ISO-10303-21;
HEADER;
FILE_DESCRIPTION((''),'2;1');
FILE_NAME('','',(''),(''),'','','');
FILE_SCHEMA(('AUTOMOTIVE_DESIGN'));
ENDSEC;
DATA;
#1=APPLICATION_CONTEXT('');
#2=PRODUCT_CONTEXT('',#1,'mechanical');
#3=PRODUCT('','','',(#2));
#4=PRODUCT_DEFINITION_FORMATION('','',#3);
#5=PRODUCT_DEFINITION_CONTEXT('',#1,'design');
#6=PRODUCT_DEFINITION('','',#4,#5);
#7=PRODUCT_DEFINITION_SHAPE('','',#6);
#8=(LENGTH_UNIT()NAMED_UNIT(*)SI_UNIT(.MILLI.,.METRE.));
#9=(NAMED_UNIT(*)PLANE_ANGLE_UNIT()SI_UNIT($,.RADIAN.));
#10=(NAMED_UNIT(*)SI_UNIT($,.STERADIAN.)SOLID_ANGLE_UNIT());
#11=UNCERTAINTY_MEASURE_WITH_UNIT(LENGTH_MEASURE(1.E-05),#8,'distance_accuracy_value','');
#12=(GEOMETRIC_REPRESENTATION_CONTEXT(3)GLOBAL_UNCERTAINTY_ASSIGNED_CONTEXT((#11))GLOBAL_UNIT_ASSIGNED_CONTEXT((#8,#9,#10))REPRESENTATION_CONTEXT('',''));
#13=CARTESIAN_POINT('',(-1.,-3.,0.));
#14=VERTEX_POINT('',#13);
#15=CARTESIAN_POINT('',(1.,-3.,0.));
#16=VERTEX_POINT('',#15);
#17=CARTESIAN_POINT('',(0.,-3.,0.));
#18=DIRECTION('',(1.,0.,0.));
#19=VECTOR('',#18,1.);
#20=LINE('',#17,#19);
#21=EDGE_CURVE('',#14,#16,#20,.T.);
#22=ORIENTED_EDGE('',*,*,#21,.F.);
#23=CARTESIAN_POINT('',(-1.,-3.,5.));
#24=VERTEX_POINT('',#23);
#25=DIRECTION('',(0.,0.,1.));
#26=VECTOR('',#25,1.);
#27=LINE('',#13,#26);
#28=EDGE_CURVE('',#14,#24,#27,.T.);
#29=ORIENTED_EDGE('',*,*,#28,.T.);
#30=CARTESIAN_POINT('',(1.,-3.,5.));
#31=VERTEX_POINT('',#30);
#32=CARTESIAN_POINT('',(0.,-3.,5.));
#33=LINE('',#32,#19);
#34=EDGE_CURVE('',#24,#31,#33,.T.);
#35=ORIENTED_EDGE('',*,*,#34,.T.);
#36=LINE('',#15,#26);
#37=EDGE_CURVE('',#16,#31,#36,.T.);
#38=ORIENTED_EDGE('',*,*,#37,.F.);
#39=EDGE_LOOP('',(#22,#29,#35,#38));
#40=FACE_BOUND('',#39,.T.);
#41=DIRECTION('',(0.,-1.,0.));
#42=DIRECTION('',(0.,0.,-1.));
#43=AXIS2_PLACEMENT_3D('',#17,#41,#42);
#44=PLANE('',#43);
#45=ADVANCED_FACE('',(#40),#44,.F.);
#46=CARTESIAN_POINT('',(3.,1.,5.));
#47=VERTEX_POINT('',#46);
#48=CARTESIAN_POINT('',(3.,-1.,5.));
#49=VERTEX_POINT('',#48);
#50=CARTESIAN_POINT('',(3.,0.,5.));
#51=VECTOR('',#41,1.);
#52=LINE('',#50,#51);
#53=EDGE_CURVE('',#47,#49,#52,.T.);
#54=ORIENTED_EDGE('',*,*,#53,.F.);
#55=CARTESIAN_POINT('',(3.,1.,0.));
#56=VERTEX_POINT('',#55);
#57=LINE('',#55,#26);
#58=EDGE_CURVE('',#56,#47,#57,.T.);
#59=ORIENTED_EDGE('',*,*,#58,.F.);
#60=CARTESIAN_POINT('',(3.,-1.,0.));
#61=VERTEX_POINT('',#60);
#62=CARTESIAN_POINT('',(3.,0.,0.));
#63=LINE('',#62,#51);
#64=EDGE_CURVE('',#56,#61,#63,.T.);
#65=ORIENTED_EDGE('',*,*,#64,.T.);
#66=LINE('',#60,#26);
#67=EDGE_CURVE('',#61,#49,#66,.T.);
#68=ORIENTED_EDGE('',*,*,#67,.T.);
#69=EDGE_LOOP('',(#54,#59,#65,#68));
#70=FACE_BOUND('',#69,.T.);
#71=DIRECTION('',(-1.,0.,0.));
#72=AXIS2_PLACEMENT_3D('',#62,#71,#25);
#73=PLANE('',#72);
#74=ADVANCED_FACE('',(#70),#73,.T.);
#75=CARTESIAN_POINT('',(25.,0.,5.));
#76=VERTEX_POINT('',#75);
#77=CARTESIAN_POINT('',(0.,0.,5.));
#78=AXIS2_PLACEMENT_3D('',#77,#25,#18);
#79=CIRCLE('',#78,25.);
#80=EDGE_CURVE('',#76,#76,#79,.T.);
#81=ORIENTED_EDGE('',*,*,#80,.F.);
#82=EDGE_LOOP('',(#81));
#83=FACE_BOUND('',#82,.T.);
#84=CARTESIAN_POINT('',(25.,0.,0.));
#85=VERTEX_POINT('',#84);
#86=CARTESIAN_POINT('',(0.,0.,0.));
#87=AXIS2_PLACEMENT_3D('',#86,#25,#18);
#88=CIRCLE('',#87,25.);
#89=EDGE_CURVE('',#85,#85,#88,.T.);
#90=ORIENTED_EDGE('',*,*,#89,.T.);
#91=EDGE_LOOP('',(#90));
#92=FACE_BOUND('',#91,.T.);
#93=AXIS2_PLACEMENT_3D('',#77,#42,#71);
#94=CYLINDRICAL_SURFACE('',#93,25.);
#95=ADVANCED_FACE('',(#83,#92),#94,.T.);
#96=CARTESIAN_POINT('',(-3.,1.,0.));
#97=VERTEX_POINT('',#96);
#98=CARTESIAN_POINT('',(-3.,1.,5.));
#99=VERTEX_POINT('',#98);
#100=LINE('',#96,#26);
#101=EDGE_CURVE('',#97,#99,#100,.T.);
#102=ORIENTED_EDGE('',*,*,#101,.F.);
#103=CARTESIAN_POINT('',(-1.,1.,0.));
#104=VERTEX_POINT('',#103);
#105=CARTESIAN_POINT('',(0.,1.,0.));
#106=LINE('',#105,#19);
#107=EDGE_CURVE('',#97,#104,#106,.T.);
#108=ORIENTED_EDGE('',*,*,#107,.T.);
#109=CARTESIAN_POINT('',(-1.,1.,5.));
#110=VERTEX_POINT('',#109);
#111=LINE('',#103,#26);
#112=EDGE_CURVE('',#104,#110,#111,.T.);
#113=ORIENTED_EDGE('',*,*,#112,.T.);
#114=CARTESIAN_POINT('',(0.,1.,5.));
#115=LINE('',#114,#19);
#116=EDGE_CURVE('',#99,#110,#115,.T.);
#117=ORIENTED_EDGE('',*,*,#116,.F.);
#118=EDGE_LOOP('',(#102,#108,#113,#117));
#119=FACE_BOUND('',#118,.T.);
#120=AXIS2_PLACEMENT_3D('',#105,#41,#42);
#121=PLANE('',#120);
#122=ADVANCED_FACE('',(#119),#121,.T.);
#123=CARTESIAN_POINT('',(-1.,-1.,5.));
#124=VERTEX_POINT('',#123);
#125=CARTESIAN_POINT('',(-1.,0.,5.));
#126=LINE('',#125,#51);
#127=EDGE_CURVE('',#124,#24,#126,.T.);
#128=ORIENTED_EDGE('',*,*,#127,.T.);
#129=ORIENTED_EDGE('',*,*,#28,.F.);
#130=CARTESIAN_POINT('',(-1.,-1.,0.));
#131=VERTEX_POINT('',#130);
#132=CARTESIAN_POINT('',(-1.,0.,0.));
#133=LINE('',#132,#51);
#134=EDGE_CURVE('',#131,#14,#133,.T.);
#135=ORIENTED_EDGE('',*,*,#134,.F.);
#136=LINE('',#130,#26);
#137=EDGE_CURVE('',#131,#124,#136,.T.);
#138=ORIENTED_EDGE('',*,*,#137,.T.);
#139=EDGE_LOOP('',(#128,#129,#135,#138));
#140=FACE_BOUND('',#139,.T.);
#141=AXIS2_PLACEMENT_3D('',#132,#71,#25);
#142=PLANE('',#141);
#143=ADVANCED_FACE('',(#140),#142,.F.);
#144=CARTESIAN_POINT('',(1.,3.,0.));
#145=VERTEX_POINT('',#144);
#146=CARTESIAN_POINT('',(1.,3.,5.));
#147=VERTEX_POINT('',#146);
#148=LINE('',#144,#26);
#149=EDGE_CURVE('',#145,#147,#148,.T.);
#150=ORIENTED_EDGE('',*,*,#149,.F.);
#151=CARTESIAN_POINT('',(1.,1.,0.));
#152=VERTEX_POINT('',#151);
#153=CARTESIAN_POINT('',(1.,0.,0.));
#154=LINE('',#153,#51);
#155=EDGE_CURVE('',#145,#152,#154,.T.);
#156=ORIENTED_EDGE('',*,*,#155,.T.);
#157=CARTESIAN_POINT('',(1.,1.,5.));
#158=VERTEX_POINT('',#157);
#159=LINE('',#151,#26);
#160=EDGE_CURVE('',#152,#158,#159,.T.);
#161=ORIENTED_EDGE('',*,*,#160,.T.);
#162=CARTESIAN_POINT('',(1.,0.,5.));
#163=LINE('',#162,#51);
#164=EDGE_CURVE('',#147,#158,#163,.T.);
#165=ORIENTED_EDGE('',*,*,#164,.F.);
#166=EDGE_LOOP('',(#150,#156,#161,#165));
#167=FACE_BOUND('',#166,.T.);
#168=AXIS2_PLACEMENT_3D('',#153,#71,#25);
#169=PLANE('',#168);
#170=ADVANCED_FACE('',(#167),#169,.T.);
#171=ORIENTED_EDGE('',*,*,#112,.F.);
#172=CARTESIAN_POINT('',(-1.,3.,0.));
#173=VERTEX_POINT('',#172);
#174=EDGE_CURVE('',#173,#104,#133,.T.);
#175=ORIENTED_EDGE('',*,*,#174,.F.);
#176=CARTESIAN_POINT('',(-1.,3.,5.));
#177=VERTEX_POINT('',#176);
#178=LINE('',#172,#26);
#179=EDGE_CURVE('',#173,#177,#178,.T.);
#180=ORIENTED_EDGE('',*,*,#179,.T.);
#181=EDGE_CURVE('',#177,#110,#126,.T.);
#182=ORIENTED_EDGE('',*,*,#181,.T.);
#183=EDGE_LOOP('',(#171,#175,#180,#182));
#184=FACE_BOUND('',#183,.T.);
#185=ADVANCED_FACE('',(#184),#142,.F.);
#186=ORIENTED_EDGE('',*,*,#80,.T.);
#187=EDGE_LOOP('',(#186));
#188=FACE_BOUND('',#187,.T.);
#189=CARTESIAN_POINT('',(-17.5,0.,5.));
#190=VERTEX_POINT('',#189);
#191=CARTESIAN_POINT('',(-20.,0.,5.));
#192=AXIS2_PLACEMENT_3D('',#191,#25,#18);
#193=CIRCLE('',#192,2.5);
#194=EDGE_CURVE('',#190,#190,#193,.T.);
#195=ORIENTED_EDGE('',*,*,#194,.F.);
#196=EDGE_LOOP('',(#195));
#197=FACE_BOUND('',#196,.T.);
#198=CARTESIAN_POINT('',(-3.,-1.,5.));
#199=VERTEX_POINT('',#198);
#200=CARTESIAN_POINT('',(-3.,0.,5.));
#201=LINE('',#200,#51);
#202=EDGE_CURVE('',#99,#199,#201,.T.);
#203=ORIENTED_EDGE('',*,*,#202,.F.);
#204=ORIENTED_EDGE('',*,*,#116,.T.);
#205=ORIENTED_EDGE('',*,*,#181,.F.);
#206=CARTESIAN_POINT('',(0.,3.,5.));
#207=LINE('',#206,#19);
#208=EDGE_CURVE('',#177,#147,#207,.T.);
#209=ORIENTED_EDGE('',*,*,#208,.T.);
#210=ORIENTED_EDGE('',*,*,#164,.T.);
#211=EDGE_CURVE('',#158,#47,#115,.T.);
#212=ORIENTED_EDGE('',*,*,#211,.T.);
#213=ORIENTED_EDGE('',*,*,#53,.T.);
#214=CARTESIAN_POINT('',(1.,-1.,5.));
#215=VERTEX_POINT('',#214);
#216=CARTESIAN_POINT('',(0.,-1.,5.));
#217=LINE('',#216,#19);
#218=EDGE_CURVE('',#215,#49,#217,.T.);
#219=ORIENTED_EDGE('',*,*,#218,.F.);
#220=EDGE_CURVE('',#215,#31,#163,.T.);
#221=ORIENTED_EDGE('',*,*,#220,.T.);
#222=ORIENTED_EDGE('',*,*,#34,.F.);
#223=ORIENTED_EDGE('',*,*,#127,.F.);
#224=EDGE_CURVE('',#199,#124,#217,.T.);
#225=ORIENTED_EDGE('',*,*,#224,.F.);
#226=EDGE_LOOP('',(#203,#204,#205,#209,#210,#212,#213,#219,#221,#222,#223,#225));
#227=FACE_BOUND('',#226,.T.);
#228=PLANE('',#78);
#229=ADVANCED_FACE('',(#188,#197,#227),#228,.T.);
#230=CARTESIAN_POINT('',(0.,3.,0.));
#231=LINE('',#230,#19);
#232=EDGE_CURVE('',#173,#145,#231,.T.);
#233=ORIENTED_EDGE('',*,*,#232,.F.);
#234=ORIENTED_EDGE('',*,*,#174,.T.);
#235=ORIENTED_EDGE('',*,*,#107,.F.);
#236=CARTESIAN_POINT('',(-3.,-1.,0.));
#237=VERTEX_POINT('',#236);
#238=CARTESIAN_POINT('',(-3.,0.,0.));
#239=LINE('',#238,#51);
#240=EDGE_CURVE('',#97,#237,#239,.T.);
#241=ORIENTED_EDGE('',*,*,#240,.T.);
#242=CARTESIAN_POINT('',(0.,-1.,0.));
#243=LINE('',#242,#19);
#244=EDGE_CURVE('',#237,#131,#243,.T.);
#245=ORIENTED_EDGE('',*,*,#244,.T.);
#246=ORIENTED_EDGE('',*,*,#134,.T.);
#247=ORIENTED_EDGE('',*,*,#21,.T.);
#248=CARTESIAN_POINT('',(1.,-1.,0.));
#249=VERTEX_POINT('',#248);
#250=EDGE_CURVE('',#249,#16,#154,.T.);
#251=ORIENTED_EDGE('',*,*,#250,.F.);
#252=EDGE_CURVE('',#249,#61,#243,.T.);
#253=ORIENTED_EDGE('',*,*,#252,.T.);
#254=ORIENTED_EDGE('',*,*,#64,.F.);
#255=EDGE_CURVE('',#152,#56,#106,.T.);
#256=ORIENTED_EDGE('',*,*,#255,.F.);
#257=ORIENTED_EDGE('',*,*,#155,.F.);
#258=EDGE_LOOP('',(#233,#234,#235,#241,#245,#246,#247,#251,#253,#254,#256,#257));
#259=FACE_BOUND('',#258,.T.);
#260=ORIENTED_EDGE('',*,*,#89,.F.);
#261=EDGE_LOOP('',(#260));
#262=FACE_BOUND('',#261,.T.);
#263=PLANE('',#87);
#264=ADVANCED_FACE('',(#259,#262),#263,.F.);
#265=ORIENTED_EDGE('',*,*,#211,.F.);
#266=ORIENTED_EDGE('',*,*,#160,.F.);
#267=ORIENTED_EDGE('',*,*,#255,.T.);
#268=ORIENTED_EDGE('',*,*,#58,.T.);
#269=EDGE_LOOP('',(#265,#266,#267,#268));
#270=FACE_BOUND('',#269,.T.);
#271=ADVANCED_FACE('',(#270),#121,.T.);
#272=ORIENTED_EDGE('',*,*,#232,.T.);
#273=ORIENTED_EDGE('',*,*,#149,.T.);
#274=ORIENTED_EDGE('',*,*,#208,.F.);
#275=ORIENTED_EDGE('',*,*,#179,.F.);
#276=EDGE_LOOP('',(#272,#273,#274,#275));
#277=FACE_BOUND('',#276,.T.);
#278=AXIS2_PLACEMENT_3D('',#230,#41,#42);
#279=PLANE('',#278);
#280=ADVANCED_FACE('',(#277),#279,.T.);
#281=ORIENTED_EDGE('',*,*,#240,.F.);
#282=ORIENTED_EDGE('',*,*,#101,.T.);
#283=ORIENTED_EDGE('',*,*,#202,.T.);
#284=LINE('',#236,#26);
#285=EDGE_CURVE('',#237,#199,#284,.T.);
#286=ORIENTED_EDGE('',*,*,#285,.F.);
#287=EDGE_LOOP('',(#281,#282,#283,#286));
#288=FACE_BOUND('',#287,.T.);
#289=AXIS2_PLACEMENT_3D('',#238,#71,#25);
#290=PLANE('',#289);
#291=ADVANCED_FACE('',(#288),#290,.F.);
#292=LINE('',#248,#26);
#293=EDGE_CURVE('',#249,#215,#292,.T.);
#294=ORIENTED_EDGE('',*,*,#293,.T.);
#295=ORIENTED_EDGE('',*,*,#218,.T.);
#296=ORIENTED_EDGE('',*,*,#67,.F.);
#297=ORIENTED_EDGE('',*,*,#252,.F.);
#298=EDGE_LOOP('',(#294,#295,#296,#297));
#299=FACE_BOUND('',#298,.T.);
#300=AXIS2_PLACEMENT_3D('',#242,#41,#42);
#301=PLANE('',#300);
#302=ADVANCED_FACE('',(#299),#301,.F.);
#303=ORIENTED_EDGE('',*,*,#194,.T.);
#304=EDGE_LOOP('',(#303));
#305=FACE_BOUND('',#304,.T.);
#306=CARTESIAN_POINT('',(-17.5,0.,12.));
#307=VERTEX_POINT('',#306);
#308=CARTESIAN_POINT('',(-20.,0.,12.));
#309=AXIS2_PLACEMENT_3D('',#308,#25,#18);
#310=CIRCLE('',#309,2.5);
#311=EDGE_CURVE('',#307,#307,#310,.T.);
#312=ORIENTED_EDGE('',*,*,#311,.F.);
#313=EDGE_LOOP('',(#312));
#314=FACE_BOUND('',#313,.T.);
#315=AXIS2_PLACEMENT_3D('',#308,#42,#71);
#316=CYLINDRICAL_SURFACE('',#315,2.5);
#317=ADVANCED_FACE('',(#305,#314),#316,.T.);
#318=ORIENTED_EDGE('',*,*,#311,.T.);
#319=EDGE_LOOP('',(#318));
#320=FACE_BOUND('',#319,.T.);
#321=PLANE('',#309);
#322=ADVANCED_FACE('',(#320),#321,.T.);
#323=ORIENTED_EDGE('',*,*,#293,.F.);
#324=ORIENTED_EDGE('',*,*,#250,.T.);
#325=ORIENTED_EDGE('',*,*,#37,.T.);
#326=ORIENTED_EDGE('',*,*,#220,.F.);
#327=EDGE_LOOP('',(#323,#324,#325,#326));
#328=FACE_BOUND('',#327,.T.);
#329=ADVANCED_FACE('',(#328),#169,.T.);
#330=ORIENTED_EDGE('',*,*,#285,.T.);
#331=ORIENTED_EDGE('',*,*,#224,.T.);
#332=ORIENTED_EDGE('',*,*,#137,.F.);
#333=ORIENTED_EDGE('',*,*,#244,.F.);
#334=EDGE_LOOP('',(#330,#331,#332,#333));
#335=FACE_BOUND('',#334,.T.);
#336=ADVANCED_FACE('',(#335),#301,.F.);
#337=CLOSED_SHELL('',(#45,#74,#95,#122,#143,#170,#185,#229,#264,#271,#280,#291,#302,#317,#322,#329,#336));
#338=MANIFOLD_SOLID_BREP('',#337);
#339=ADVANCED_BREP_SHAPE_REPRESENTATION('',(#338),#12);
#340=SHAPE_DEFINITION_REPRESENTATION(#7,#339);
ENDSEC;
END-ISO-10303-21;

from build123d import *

# Parameters (mm, degrees)
SKETCH_1_R          = 25
EXTRUDE_1_DEPTH     = 5
SKETCH_2_R          = 2.5
EXTRUDE_2_DEPTH     = 7
SKETCH_3_W          = 2
SKETCH_3_H          = 2
CUT_EXTRUDE_1_DEPTH = 37.041642582


with BuildPart() as part:
    # 草图1 → 凸台-拉伸1 (new body)
    with BuildSketch(Plane.XY):
        Circle(SKETCH_1_R)
    extrude(amount=EXTRUDE_1_DEPTH)

    # 草图2 → 凸台-拉伸2 (add)
    with BuildSketch(Plane.XY.offset(5)):
        with Locations((-20, 0)):
            Circle(SKETCH_2_R)
    extrude(amount=EXTRUDE_2_DEPTH)

    # 草图3 → 切除-拉伸1 (cut, through all)
    with BuildSketch(Plane.XY.offset(5)):
        with Locations((0, 2)):
            Rectangle(SKETCH_3_W, SKETCH_3_H)
        with Locations((-2, 0)):
            Rectangle(SKETCH_3_W, SKETCH_3_H)
        with Locations((2, 0)):
            Rectangle(SKETCH_3_W, SKETCH_3_H)
        with Locations((0, -2)):
            Rectangle(SKETCH_3_W, SKETCH_3_H)
        Rectangle(SKETCH_3_W, SKETCH_3_H)
    extrude(amount=-CUT_EXTRUDE_1_DEPTH, mode=Mode.SUBTRACT)


solid = part.part
